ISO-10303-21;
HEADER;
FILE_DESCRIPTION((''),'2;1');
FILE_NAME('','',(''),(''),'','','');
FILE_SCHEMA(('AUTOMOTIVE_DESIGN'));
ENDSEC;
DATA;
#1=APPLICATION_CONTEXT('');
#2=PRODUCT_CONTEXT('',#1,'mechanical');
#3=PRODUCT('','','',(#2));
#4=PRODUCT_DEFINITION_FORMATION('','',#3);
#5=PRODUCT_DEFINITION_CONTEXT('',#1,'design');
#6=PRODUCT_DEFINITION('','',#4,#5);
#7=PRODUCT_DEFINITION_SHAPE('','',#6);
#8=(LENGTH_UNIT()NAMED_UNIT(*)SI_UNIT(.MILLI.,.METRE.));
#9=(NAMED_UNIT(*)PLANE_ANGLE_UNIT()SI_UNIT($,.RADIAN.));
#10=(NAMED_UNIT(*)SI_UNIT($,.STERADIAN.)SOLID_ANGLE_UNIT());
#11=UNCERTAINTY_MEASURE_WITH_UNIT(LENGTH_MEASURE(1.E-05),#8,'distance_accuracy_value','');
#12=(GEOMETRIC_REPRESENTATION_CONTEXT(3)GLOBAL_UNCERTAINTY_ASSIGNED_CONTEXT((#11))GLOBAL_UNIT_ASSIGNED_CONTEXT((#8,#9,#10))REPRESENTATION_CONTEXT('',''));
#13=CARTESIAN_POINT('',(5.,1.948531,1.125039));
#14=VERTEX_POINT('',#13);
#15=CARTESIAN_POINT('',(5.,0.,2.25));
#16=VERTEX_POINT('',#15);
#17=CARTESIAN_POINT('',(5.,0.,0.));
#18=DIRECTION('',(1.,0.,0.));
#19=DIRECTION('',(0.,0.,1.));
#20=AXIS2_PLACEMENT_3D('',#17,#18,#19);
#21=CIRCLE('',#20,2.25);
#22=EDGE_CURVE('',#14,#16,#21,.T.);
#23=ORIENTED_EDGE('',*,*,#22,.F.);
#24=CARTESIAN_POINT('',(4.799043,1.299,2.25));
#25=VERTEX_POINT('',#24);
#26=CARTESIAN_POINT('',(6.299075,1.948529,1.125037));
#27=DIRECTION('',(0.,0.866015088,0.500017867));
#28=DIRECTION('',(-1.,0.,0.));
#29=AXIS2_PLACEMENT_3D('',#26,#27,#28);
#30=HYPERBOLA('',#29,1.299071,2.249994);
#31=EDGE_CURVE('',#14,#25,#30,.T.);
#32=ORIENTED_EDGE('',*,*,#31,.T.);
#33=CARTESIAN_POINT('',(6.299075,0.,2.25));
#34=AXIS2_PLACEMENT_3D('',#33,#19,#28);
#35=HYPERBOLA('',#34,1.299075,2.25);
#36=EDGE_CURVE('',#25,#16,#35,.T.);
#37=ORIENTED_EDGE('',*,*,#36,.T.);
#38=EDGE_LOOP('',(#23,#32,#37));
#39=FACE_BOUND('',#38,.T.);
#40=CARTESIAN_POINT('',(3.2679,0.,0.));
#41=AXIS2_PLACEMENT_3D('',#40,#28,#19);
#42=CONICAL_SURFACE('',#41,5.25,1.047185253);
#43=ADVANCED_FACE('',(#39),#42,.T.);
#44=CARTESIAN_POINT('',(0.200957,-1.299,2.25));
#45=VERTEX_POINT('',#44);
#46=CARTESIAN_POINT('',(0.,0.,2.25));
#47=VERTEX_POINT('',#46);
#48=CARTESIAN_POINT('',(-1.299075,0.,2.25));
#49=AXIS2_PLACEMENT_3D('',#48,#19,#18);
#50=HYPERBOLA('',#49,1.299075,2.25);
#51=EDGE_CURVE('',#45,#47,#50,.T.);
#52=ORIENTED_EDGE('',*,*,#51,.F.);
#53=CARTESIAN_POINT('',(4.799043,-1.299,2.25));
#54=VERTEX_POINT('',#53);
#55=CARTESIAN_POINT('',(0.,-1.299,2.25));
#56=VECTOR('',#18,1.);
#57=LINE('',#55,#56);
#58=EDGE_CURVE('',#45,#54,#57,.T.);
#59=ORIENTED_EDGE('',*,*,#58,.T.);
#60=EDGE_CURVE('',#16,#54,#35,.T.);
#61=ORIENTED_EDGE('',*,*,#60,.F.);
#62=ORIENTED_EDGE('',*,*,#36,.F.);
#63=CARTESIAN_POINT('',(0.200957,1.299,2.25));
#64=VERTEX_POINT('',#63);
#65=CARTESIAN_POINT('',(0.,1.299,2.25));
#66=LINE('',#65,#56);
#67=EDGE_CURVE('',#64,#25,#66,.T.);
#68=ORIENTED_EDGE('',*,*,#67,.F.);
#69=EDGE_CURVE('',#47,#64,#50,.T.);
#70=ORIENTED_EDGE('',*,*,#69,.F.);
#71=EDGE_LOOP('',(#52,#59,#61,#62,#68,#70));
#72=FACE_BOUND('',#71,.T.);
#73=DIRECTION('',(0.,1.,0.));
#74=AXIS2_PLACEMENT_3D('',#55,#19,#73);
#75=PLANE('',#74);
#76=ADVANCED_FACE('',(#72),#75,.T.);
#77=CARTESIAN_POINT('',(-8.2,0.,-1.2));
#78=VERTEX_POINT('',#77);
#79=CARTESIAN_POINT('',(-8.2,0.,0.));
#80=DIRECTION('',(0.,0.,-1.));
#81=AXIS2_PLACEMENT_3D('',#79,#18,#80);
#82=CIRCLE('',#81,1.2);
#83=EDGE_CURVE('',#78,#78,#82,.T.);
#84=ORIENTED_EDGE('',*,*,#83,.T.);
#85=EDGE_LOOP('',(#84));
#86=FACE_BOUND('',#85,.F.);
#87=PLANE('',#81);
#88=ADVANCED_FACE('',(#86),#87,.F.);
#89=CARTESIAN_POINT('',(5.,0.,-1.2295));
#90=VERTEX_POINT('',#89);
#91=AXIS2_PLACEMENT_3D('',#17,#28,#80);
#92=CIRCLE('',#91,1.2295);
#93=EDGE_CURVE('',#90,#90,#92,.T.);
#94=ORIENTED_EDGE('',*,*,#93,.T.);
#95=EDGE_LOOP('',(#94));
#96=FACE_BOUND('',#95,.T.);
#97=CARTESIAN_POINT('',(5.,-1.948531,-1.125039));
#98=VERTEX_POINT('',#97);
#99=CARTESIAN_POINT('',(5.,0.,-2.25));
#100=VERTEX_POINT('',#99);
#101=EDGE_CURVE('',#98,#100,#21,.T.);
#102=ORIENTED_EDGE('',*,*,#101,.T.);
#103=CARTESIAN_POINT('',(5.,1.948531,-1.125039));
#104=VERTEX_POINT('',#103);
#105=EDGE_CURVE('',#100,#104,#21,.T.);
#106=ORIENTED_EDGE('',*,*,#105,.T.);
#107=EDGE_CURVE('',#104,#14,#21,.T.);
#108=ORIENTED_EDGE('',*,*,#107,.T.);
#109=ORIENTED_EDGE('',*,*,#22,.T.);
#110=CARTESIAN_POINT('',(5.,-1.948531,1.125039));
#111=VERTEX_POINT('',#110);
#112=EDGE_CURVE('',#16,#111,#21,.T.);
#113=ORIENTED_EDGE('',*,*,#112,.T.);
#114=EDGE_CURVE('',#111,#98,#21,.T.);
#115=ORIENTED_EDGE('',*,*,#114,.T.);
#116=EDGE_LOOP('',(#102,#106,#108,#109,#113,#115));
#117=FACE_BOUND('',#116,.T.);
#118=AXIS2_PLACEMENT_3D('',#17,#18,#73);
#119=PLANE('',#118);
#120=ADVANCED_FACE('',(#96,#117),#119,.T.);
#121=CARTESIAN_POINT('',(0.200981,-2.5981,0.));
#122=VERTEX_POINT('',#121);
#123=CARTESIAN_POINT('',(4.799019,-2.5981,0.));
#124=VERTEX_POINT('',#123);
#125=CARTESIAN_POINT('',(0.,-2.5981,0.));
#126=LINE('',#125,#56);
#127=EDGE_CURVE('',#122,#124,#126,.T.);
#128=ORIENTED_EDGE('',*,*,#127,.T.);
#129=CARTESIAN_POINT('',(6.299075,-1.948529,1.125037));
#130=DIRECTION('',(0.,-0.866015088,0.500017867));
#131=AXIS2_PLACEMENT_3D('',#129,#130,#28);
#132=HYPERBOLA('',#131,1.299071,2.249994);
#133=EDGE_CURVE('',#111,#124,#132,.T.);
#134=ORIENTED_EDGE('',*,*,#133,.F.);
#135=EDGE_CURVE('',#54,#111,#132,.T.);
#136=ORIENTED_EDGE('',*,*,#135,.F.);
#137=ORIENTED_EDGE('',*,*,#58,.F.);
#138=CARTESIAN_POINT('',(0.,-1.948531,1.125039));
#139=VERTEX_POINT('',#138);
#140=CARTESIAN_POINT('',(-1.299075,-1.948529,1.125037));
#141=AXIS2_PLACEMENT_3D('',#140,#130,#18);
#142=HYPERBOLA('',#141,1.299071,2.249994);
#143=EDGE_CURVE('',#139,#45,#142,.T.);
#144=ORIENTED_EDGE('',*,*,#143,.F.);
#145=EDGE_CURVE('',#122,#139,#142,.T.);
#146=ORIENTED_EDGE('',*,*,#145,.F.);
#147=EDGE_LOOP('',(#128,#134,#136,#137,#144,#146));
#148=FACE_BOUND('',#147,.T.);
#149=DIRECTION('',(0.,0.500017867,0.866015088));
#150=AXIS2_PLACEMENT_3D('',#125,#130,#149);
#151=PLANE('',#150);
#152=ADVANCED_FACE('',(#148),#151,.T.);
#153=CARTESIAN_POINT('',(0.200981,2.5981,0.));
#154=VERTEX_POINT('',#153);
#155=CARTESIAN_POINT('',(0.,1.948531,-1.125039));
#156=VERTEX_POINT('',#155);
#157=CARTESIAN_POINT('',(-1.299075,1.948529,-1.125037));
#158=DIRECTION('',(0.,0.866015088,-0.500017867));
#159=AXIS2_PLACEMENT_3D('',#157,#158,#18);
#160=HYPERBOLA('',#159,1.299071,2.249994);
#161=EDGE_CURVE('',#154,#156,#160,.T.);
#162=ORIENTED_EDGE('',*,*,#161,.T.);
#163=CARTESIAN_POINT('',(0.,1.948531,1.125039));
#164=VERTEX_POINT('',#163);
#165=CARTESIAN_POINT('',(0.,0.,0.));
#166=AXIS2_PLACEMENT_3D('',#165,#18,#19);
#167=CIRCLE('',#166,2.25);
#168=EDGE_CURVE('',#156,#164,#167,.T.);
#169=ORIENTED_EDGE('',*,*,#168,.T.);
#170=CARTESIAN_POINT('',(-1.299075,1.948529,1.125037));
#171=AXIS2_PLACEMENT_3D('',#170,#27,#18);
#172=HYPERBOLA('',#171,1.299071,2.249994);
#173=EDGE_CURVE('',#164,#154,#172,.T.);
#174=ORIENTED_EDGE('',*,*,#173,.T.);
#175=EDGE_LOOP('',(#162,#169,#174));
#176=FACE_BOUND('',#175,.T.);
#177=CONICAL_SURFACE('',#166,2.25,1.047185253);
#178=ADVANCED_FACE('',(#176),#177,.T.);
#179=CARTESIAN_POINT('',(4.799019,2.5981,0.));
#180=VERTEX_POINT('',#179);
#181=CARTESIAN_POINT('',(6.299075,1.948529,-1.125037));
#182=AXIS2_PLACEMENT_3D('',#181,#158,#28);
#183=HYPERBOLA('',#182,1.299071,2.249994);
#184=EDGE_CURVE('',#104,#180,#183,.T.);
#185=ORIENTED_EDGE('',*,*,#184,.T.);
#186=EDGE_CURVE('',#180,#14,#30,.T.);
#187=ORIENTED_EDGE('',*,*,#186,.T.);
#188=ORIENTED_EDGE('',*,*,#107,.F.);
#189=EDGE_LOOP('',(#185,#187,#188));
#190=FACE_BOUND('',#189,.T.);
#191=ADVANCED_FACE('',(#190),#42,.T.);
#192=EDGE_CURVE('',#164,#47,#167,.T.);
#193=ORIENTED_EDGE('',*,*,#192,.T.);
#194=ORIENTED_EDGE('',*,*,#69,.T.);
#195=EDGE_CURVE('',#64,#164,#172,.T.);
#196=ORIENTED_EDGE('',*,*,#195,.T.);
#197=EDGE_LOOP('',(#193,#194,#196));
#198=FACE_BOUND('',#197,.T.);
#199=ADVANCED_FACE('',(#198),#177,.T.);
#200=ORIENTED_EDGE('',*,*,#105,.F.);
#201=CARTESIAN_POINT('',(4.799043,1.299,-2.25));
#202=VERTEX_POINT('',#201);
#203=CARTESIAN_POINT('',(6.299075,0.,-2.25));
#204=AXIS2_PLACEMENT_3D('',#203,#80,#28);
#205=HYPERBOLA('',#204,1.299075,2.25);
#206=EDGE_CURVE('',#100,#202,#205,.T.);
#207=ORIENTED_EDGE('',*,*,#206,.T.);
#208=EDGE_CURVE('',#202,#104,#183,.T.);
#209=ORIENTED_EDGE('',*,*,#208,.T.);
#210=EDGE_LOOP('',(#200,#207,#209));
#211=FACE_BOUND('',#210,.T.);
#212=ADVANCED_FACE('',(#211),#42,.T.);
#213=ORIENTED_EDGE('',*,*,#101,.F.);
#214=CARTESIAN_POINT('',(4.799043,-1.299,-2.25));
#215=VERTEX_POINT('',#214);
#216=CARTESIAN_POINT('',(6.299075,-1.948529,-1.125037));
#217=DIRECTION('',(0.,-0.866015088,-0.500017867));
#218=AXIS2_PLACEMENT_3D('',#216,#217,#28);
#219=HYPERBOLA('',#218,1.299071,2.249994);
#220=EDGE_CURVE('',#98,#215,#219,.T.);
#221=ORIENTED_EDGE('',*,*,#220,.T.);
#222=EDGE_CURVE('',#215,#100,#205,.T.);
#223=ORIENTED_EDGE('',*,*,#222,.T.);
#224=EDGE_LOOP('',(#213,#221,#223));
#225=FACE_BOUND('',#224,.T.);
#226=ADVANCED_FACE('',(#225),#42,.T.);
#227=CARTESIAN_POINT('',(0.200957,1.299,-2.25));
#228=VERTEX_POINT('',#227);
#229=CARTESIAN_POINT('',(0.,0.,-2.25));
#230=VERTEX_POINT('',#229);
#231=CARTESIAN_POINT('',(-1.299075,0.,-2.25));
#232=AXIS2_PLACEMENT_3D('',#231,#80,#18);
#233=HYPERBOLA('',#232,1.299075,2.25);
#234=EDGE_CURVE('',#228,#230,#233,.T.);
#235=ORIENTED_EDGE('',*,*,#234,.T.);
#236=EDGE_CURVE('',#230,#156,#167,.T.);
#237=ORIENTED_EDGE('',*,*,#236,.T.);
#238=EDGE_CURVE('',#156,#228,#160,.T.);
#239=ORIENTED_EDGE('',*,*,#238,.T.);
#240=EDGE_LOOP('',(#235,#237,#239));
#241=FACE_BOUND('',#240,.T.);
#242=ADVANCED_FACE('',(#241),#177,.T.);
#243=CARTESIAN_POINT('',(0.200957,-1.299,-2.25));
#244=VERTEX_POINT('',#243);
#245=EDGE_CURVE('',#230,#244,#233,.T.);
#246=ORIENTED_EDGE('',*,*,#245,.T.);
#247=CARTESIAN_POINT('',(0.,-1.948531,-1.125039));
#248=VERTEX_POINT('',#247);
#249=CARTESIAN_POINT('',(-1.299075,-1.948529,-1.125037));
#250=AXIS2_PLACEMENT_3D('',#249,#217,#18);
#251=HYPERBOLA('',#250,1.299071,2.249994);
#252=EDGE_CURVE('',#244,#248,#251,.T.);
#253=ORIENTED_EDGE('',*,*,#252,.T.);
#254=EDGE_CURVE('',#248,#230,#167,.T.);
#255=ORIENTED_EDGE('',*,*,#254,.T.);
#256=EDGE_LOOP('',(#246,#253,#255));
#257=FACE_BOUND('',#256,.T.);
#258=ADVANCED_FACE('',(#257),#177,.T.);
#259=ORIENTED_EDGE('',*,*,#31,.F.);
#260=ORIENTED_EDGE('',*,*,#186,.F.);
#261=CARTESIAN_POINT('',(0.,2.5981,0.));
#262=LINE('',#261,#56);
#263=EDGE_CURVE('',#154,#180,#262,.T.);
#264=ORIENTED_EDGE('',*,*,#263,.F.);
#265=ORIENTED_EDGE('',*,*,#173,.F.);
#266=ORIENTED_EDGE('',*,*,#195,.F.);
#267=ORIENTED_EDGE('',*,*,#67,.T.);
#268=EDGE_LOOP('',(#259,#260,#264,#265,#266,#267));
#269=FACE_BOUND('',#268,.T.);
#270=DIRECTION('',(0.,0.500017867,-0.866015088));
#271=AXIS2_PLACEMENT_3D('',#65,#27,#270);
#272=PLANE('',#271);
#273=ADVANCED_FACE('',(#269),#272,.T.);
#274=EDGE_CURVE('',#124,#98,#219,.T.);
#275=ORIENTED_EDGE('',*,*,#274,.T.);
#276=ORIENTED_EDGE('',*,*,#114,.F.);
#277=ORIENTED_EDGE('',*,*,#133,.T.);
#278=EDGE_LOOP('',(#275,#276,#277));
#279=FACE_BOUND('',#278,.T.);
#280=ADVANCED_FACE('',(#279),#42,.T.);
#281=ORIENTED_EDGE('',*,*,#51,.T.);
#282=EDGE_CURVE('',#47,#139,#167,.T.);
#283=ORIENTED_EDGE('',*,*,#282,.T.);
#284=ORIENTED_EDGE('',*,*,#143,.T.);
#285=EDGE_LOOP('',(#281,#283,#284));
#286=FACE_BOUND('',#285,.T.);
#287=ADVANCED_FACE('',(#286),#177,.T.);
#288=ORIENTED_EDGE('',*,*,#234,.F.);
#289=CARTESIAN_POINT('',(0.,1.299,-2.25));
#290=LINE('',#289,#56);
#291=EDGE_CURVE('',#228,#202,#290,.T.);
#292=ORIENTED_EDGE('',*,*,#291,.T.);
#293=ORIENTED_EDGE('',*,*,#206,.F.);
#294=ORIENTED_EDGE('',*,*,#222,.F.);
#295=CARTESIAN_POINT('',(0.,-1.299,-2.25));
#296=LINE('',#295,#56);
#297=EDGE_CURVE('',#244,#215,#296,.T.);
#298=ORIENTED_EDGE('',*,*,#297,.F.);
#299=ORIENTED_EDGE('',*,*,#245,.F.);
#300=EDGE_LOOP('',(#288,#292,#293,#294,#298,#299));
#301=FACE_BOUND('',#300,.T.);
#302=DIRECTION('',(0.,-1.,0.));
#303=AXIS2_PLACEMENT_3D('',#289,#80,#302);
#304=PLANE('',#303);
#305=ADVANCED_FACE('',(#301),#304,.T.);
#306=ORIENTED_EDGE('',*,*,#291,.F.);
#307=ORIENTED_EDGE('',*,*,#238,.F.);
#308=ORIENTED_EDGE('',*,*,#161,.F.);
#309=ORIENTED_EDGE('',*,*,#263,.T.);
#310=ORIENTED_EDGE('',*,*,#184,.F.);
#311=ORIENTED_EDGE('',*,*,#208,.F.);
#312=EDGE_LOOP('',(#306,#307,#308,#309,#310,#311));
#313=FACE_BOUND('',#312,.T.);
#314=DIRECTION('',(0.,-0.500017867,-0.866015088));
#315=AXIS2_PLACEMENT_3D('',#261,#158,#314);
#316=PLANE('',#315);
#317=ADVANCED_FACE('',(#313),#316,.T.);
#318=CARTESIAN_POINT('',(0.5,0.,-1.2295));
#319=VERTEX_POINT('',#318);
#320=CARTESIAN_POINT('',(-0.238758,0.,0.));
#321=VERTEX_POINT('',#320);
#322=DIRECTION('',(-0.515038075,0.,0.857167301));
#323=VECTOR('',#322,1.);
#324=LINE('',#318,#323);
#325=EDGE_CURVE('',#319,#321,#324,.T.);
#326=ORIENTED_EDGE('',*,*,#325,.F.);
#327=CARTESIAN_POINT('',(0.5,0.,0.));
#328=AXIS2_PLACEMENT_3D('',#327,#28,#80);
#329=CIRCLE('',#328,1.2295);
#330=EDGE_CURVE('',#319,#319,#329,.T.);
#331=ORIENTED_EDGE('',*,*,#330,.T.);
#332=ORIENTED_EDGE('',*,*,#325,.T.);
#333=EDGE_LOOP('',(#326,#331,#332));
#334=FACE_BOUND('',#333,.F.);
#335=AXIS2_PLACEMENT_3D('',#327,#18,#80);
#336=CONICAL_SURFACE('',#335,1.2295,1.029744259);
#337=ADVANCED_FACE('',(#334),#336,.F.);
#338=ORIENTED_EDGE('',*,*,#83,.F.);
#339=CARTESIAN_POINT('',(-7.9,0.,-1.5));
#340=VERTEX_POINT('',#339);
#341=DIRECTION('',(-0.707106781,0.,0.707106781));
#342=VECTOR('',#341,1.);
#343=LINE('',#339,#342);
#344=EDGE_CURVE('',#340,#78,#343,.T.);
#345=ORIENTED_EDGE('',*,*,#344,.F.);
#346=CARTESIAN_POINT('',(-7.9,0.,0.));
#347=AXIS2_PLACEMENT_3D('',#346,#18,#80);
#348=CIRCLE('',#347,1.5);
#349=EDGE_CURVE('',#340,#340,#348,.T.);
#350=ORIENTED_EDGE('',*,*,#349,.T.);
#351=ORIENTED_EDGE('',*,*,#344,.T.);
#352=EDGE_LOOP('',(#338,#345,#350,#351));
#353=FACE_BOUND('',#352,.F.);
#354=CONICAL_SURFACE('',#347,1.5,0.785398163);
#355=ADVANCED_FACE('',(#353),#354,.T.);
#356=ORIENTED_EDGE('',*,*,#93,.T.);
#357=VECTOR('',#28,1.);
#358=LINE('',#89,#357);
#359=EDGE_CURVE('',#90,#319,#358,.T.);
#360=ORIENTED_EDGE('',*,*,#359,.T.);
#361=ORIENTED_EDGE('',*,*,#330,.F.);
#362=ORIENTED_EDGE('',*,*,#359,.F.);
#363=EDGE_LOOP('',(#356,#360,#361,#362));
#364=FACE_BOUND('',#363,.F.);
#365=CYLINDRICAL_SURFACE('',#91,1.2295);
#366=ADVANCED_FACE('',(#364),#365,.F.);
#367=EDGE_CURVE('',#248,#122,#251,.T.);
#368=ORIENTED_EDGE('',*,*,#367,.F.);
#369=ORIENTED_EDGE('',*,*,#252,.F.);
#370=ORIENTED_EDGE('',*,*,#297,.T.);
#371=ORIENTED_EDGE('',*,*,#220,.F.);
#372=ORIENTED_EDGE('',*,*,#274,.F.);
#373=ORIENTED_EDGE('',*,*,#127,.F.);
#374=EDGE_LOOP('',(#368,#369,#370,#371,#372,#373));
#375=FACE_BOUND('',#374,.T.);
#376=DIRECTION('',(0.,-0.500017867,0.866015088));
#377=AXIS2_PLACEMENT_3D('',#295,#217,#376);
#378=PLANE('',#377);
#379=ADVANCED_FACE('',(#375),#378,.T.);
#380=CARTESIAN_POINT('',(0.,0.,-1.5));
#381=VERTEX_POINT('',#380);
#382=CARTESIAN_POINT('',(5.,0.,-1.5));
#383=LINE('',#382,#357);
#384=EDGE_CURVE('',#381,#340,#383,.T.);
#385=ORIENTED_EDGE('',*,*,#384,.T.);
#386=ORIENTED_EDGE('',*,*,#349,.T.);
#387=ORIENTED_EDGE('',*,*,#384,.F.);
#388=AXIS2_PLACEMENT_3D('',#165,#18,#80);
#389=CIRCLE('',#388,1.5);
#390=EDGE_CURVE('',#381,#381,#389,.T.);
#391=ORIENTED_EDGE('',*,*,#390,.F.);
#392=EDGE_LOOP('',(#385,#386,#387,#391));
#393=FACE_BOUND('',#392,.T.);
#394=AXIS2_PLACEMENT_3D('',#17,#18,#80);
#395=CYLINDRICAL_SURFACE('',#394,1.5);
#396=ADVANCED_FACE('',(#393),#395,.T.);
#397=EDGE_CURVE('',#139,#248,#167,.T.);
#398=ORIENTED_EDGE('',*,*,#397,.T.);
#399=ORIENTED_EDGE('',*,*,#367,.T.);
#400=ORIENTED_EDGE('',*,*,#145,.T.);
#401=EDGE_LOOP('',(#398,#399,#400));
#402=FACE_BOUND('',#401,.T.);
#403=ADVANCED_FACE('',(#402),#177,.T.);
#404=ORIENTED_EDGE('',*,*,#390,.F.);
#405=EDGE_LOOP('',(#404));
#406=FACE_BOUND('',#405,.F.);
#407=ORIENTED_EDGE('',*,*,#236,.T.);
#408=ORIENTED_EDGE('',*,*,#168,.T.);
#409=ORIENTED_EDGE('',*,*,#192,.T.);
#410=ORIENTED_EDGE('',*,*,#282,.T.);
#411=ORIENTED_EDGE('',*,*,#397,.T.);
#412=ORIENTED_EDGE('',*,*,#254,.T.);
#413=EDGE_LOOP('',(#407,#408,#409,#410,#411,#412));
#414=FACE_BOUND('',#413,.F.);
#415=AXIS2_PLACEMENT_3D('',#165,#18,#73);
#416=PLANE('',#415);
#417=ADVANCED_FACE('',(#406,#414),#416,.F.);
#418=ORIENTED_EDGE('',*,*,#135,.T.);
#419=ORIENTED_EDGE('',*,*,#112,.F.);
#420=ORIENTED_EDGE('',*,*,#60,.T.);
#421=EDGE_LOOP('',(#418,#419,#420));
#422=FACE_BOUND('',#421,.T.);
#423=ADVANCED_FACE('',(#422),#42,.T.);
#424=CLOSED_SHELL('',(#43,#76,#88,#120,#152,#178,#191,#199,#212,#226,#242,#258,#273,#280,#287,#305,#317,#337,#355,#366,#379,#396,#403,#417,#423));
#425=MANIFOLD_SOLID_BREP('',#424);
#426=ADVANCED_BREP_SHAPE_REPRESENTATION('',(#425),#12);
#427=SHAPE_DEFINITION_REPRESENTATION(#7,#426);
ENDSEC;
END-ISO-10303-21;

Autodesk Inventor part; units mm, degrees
ref_plane "YZ Plane" through (0, 0, 0) normal (1, 0, 0) x (0, 1, 0)
ref_plane "XZ Plane" through (0, 0, 0) normal (0, 1, 0) x (-1, 0, 0)
ref_plane "XY Plane" through (0, 0, 0) normal (0, 0, 1) x (1, 0, 0)
sketch "Sketch1" plane through (0, 0, 0) normal (1, 0, 0) x (0, 1, 0)
  line L0 (2.5981, 0) -> (1.299, -2.25)
  line L1 (1.299, -2.25) -> (-1.299, -2.25)
  line L2 (-1.299, -2.25) -> (-2.5981, 0)
  line L3 (-2.5981, 0) -> (-1.299, 2.25)
  line L4 (-1.299, 2.25) -> (1.299, 2.25)
  line L5 (1.299, 2.25) -> (2.5981, 0)
  point P0 (0, 0)
  point P1 (0, 0)
  dimension "d0" = 4.5
extrude "Extrusion1" add sketch "Sketch1" along normal blind 5
sketch "Sketch2" plane through (5, 0, 0) normal (1, 0, 0) x (0, 0, -1)
  circle A0 centre (0, 0) radius 1.5
  dimension "d3" = 3
extrude "Extrusion2" add sketch "Sketch2" against normal blind 13.2
sketch "Sketch3" plane through (5, 0, 0) normal (1, 0, 0) x (0, 0, -1)
  point P0 (0, 0)
  point P1 (0, 0)
hole "Hole1" at (5, 0, 0) direction (-1, 0, 0) diameter 2.459 depth 4.5 tip angle 118 thread size "M3x0.5" designation "M3" class "6H" standard "ISO Metric profile"
thread "Thread1" size "M3x0.5" designation "M3" class "6g" standard "ISO Metric profile" length 7.3
chamfer "Chamfer1" distance 0.3 angle 45 1 edges at (-8.2, 0, 1.5)
sketch "Sketch4" plane through (0, 0, 0) normal (0, 1, 0) x (-1, 0, 0)
  line L0 (0, 2.25) -> (-1.7321, 5.25)
  line L1 (-1.7321, 5.25) -> (0, 5.25)
  line L2 (0, 5.25) -> (0, 2.25)
  line L3 (-3.2679, 5.25) -> (-5, 2.25)
  line L4 (-5, 2.25) -> (-5, 5.25)
  line L5 (-5, 5.25) -> (-3.2679, 5.25)
  line L6 (10.84, 0) -> (-7.64, 0) projected
  point P0 (0, 0)
  dimension "d19" = 30
  dimension "d20" = 3
revolve "Revolution1" cut sketch "Sketch4" angle 360 about axis through (-10, 0, 0) along (1, 0, 0)
properties part number "Befestigungsbolzen_M3x13-2_Provertha-531333T" material "Steel"
